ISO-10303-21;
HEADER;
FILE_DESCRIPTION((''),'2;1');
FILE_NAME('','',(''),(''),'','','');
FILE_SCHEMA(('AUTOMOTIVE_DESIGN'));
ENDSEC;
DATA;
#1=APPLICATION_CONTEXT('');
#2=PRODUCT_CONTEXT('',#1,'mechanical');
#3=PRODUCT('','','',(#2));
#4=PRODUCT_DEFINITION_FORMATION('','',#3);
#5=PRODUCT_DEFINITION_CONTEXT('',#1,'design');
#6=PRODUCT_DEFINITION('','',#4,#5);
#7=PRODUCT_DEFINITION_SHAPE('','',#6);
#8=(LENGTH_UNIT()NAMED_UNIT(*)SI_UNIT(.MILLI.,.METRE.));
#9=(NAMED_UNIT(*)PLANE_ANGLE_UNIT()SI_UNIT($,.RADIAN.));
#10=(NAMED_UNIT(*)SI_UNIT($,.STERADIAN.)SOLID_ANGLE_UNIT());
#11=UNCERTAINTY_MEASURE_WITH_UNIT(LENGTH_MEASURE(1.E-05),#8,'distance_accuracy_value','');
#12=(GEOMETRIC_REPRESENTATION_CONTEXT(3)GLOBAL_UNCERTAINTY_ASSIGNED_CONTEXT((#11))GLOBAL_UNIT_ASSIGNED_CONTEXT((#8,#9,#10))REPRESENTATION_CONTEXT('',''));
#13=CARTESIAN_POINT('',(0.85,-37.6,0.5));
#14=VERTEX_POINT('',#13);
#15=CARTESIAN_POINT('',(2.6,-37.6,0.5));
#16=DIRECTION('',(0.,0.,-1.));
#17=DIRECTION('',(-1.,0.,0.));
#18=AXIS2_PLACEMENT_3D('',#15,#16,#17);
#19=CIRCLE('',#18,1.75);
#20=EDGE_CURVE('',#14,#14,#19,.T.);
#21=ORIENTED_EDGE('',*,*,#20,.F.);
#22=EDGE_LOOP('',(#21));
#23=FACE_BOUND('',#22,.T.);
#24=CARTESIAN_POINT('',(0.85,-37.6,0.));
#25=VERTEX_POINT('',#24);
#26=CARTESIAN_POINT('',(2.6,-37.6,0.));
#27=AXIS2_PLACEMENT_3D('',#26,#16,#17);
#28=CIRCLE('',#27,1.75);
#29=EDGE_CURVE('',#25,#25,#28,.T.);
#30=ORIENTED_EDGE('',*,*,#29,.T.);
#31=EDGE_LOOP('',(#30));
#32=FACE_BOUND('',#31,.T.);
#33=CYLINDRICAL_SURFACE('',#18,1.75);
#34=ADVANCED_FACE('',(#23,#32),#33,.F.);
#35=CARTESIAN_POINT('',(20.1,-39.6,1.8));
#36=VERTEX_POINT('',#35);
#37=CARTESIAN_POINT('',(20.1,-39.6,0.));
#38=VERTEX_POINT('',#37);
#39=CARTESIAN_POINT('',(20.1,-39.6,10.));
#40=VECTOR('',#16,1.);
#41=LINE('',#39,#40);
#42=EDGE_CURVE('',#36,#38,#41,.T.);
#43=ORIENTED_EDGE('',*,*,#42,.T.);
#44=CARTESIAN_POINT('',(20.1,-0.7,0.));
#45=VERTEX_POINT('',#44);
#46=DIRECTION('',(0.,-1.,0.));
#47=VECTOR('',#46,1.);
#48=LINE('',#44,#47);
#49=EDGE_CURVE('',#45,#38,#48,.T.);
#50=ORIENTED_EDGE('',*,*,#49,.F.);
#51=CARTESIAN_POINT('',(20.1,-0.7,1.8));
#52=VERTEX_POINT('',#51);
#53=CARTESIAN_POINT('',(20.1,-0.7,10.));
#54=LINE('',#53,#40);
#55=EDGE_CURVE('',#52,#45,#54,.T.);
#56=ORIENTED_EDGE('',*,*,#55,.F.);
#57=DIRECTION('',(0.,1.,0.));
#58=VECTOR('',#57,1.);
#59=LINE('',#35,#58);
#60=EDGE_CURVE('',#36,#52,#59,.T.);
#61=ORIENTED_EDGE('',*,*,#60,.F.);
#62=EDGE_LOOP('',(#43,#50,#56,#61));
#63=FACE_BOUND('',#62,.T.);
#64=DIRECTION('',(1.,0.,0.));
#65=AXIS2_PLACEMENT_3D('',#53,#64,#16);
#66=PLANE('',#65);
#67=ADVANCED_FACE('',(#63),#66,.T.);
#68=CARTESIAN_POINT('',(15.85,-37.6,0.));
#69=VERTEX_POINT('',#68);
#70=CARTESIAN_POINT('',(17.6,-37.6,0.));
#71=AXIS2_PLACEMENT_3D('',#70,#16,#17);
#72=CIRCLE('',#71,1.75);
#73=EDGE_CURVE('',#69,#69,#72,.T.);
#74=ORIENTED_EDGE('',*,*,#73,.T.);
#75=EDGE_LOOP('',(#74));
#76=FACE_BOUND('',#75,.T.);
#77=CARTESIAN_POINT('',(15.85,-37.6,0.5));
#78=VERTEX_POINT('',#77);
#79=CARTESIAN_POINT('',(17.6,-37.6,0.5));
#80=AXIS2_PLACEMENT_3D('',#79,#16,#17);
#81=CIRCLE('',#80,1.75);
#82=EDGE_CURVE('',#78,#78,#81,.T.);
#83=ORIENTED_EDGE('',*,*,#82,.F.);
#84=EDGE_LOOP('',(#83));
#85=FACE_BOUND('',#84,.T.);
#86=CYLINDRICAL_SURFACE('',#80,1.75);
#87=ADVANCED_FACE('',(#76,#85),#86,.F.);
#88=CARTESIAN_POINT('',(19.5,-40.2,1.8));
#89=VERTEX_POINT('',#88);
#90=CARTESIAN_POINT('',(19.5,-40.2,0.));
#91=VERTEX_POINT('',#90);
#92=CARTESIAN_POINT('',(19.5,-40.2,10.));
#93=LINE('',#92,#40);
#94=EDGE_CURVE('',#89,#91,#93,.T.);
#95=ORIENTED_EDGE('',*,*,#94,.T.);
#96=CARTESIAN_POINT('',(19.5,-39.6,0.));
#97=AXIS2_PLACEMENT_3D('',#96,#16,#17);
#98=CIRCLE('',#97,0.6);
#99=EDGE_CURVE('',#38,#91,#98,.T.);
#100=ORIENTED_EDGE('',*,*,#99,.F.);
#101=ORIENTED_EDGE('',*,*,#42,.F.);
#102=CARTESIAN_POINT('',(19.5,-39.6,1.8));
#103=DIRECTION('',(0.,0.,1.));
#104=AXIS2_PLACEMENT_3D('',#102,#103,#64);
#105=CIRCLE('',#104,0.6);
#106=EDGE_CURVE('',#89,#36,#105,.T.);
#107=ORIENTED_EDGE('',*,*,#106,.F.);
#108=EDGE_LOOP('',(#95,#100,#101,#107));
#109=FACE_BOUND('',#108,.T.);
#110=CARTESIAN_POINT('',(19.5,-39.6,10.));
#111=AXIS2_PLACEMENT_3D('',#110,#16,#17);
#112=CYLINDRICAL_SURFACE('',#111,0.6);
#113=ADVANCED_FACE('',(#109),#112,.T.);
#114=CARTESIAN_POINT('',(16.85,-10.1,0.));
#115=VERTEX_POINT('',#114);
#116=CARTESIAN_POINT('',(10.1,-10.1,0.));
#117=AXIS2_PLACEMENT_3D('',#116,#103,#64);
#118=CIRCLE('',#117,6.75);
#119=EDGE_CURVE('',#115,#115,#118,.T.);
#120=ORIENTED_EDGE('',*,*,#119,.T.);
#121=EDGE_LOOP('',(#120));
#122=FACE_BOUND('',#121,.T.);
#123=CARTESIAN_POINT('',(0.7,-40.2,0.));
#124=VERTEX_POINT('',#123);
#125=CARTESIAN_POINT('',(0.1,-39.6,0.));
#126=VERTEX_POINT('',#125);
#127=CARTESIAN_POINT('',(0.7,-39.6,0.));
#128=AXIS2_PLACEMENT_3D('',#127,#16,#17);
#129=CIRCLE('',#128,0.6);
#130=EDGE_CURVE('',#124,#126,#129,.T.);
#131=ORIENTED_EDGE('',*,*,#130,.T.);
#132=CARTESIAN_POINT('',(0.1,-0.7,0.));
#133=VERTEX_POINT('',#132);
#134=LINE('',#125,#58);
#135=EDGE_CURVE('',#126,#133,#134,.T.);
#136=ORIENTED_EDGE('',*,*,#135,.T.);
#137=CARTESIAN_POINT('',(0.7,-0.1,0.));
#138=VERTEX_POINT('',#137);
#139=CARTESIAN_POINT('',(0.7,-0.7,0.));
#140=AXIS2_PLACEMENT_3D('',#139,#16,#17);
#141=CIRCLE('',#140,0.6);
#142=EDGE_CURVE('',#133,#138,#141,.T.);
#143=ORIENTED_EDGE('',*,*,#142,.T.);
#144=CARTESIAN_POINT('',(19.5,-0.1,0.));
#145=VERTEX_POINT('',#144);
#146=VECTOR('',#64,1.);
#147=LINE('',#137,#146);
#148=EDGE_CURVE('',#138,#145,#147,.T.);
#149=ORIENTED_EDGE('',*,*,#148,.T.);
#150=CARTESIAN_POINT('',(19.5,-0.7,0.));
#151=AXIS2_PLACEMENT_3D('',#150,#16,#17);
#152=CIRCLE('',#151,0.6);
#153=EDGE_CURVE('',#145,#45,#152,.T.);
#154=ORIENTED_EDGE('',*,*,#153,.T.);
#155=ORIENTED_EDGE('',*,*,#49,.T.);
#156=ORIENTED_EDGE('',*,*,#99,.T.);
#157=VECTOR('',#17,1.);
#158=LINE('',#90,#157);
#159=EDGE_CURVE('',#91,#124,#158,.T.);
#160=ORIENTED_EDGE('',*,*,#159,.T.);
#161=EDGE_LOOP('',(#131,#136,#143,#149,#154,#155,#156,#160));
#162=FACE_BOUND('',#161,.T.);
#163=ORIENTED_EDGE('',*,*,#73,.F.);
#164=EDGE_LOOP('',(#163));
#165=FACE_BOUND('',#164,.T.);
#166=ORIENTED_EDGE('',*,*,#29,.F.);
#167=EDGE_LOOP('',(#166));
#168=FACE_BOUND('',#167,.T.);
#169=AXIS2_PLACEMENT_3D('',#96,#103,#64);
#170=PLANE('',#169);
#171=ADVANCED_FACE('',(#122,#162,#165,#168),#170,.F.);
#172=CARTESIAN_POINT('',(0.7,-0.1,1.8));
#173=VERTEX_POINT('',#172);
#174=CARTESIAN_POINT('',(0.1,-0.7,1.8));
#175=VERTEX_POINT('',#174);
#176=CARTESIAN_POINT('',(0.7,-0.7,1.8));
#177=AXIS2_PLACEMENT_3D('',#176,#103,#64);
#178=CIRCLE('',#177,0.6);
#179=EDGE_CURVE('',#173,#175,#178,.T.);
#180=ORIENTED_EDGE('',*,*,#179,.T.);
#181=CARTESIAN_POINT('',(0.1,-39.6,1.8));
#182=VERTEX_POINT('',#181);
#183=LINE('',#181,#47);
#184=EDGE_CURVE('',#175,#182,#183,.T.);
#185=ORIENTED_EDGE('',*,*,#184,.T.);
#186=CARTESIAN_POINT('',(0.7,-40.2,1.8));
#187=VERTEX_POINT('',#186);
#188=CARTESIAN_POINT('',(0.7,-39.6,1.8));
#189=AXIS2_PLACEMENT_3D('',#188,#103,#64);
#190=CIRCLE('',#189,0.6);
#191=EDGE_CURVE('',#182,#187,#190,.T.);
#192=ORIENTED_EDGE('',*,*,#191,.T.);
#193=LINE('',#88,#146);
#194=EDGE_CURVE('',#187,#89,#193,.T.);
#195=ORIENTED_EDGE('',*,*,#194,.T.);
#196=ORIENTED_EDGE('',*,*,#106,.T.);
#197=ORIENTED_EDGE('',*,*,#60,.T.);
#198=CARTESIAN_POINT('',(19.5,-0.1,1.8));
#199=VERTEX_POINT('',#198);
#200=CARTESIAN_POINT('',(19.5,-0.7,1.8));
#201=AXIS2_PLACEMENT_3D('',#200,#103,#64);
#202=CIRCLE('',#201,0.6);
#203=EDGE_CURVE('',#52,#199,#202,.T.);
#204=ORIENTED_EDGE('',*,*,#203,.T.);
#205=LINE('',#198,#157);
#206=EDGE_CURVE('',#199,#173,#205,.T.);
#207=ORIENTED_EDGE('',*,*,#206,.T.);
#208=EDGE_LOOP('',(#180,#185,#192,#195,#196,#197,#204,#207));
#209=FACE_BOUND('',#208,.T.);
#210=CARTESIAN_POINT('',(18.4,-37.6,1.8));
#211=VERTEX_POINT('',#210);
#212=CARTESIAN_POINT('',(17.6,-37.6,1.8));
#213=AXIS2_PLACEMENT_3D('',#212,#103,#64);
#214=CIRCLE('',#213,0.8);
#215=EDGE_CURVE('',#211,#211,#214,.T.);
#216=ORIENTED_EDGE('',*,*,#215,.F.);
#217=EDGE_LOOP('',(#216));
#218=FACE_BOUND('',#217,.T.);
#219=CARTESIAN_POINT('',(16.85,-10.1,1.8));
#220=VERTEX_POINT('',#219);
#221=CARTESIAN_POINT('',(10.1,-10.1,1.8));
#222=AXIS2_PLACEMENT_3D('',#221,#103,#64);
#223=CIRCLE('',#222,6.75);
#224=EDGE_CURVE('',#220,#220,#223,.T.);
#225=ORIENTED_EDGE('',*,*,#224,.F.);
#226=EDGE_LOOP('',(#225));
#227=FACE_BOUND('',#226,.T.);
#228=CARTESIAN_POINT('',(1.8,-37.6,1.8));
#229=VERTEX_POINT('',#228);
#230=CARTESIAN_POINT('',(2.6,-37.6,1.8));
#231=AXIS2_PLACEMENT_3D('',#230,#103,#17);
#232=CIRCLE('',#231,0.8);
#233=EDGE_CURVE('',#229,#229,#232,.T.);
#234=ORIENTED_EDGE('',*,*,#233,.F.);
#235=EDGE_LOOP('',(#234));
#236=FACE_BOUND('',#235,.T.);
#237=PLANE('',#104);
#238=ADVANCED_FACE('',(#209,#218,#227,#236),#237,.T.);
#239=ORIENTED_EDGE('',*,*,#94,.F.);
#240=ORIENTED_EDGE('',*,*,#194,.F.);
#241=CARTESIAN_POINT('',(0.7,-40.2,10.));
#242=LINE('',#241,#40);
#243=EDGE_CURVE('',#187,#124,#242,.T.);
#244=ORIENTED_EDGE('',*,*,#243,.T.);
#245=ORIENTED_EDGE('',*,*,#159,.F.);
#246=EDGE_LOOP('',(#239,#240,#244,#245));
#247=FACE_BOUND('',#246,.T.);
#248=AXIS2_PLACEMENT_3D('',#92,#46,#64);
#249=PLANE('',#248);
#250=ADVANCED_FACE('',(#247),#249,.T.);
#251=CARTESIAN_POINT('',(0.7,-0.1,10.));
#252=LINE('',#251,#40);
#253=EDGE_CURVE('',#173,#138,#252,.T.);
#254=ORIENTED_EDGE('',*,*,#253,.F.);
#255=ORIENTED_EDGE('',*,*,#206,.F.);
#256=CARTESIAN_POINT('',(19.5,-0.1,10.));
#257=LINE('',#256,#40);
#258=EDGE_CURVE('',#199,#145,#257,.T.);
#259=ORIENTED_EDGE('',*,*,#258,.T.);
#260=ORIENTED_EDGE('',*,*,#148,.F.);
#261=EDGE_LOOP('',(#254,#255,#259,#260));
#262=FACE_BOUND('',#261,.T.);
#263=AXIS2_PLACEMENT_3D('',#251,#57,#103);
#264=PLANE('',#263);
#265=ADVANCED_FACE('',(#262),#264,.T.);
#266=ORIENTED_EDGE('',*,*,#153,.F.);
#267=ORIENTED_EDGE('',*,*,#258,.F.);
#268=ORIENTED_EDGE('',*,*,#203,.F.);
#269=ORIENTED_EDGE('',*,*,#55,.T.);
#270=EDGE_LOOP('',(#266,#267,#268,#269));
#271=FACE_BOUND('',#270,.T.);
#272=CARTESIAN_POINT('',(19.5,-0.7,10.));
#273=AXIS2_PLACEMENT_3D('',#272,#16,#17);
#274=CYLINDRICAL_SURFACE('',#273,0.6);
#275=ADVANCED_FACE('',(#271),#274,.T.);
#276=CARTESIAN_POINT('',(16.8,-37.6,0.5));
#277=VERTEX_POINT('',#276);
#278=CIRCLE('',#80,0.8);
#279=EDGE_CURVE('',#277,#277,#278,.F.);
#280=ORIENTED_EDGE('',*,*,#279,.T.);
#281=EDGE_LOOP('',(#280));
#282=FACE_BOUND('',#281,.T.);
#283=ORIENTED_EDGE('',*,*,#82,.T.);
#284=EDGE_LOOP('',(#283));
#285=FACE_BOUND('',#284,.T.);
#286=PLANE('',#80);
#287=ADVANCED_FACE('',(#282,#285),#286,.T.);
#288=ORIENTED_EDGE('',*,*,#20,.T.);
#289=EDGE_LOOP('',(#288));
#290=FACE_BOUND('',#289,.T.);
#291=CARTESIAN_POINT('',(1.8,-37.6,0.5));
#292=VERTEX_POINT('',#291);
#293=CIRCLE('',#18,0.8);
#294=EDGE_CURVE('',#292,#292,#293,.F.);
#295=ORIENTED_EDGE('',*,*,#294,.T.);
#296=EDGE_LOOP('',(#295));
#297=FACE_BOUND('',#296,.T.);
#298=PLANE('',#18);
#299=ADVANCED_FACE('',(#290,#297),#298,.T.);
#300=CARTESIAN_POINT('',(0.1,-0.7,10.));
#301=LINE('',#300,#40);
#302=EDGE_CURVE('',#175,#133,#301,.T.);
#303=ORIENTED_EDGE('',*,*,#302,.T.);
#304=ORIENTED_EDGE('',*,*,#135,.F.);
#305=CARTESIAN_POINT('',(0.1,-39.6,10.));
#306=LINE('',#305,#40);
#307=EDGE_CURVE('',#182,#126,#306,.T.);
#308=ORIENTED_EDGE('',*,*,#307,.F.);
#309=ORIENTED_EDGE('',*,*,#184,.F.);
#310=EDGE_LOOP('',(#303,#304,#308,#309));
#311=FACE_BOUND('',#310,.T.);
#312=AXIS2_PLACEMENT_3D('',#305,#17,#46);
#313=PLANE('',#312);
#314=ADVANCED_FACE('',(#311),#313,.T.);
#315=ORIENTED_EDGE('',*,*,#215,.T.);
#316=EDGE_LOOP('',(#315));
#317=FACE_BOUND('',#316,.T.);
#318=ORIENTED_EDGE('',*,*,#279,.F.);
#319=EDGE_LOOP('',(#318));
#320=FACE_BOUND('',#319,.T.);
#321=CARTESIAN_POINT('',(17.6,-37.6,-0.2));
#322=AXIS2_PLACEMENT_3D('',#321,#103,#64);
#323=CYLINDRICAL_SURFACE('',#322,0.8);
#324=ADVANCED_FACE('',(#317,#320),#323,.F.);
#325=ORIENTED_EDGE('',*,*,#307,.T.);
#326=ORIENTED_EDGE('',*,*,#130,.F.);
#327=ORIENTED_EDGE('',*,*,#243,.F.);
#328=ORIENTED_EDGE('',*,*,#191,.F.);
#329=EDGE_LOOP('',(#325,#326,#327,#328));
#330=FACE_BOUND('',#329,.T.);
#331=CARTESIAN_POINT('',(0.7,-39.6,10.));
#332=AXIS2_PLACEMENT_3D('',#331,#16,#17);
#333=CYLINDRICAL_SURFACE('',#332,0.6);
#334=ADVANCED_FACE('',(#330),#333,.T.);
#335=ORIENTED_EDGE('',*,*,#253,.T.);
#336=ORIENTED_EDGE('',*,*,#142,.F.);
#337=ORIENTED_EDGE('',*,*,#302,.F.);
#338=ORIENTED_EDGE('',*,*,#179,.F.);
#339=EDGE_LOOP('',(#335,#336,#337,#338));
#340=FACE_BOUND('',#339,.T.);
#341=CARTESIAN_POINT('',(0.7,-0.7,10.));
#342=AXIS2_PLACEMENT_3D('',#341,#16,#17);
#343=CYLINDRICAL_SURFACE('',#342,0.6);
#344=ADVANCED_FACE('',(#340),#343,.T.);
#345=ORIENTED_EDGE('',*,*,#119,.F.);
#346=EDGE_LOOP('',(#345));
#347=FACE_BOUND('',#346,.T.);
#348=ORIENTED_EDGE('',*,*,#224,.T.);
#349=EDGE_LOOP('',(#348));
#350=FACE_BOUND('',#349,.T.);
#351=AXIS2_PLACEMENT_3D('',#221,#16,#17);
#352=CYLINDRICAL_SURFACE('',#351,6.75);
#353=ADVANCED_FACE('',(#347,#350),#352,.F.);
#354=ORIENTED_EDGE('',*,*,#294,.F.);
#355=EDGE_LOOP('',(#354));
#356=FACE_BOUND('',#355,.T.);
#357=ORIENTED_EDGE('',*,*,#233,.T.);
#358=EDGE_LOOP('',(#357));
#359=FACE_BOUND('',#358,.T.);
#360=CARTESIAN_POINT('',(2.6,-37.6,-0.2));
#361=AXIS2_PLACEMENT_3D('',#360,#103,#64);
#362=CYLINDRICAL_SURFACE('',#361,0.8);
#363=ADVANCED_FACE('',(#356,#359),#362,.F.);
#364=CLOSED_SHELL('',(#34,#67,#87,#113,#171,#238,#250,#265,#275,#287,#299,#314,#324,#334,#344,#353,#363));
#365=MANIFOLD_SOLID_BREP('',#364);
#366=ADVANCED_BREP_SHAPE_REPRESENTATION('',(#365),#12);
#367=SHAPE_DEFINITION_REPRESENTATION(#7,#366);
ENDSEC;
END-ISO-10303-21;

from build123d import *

# Parameters (mm, degrees)
SKETCH_1_R          = 6.75
EXTRUDE_1_DEPTH     = 1.8
SKETCH_2_R          = 0.8
CUT_EXTRUDE_1_DEPTH = 2
SKETCH_3_R          = 1.75
CUT_EXTRUDE_2_DEPTH = 0.5
CUT_EXTRUDE_4_DEPTH = 10
SKETCH_6_R          = 1.75
EXTRUDE_2_DEPTH     = 1.8


with BuildPart() as part:
    # 草图1 → 凸台-拉伸1 (new body)
    with BuildSketch(Plane.XY):
        with BuildLine():
            Line((0.7, 0), (19.5, 0))
            ThreePointArc((19.5, 0), (19.994974747, -0.205025253), (20.2, -0.7))
            Line((20.2, -0.7), (20.2, -39.6))
            ThreePointArc((20.2, -39.6), (19.994974747, -40.094974747), (19.5, -40.3))
            Line((19.5, -40.3), (0.7, -40.3))
            ThreePointArc((0.7, -40.3), (0.205025253, -40.094974747), (0, -39.6))
            Line((0, -39.6), (0, -0.7))
            ThreePointArc((0, -0.7), (0.205025253, -0.205025253), (0.7, 0))
        make_face()
        with Locations((10.1, -10.1)):
            Circle(SKETCH_1_R, mode=Mode.SUBTRACT)
    extrude(amount=EXTRUDE_1_DEPTH)

    # 草图2 → 切除-拉伸1 (cut)
    with BuildSketch(Plane.XY.offset(1.8)):
        with Locations((17.6, -2.6)):
            Circle(SKETCH_2_R)
        with Locations((17.6, -37.6)):
            Circle(SKETCH_2_R)
        with Locations((2.6, -37.6)):
            Circle(SKETCH_2_R)
        with Locations((2.6, -2.6)):
            Circle(SKETCH_2_R)
    extrude(amount=-CUT_EXTRUDE_1_DEPTH, mode=Mode.SUBTRACT)

    # 草图3 → 切除-拉伸2 (cut)
    with BuildSketch(Plane(origin=(0, 0, 0), x_dir=(-1, 0, 0), z_dir=(0, 0, -1))):
        with Locations((-17.6, -2.6)):
            Circle(SKETCH_3_R)
        with Locations((-2.6, -2.6)):
            Circle(SKETCH_3_R)
        with Locations((-17.6, -37.6)):
            Circle(SKETCH_3_R)
        with Locations((-2.6, -37.6)):
            Circle(SKETCH_3_R)
    extrude(amount=-CUT_EXTRUDE_2_DEPTH, mode=Mode.SUBTRACT)

    # 草图4 → 切除-拉伸4 (cut)
    with BuildSketch(Plane(origin=(0, 0, 0), x_dir=(-1, 0, 0), z_dir=(0, 0, -1))):
        with BuildLine():
            Line((-19.5, -40.3), (-0.7, -40.3))
            ThreePointArc((-0.7, -40.3), (-0.205025253, -40.094974747), (0, -39.6))
            Line((0, -39.6), (0, -0.7))
            ThreePointArc((0, -0.7), (-0.205025253, -0.205025253), (-0.7, 0))
            Line((-0.7, 0), (-19.5, 0))
            ThreePointArc((-19.5, 0), (-19.994974747, -0.205025253), (-20.2, -0.7))
            Line((-20.2, -0.7), (-20.2, -39.6))
            ThreePointArc((-20.2, -39.6), (-19.994974747, -40.094974747), (-19.5, -40.3))
        make_face()
        with BuildLine():
            Line((-0.7, -0.1), (-19.5, -0.1))
            ThreePointArc((-19.5, -0.1), (-19.924264069, -0.275735931), (-20.1, -0.7))
            Line((-20.1, -0.7), (-20.1, -39.6))
            ThreePointArc((-20.1, -39.6), (-19.924264069, -40.024264069), (-19.5, -40.2))
            Line((-19.5, -40.2), (-0.7, -40.2))
            ThreePointArc((-0.7, -40.2), (-0.275735931, -40.024264069), (-0.1, -39.6))
            Line((-0.1, -39.6), (-0.1, -0.7))
            ThreePointArc((-0.1, -0.7), (-0.275735931, -0.275735931), (-0.7, -0.1))
        make_face(mode=Mode.SUBTRACT)
    extrude(amount=-CUT_EXTRUDE_4_DEPTH, mode=Mode.SUBTRACT)

    # 草图6 → 凸台-拉伸2 (add)
    with BuildSketch(Plane(origin=(0, 0, 0), x_dir=(-1, 0, 0), z_dir=(0, 0, -1))):
        with Locations((-17.6, -2.6)):
            Circle(SKETCH_6_R)
        with Locations((-2.6, -2.6)):
            Circle(SKETCH_6_R)
    extrude(amount=-EXTRUDE_2_DEPTH)


solid = part.part
